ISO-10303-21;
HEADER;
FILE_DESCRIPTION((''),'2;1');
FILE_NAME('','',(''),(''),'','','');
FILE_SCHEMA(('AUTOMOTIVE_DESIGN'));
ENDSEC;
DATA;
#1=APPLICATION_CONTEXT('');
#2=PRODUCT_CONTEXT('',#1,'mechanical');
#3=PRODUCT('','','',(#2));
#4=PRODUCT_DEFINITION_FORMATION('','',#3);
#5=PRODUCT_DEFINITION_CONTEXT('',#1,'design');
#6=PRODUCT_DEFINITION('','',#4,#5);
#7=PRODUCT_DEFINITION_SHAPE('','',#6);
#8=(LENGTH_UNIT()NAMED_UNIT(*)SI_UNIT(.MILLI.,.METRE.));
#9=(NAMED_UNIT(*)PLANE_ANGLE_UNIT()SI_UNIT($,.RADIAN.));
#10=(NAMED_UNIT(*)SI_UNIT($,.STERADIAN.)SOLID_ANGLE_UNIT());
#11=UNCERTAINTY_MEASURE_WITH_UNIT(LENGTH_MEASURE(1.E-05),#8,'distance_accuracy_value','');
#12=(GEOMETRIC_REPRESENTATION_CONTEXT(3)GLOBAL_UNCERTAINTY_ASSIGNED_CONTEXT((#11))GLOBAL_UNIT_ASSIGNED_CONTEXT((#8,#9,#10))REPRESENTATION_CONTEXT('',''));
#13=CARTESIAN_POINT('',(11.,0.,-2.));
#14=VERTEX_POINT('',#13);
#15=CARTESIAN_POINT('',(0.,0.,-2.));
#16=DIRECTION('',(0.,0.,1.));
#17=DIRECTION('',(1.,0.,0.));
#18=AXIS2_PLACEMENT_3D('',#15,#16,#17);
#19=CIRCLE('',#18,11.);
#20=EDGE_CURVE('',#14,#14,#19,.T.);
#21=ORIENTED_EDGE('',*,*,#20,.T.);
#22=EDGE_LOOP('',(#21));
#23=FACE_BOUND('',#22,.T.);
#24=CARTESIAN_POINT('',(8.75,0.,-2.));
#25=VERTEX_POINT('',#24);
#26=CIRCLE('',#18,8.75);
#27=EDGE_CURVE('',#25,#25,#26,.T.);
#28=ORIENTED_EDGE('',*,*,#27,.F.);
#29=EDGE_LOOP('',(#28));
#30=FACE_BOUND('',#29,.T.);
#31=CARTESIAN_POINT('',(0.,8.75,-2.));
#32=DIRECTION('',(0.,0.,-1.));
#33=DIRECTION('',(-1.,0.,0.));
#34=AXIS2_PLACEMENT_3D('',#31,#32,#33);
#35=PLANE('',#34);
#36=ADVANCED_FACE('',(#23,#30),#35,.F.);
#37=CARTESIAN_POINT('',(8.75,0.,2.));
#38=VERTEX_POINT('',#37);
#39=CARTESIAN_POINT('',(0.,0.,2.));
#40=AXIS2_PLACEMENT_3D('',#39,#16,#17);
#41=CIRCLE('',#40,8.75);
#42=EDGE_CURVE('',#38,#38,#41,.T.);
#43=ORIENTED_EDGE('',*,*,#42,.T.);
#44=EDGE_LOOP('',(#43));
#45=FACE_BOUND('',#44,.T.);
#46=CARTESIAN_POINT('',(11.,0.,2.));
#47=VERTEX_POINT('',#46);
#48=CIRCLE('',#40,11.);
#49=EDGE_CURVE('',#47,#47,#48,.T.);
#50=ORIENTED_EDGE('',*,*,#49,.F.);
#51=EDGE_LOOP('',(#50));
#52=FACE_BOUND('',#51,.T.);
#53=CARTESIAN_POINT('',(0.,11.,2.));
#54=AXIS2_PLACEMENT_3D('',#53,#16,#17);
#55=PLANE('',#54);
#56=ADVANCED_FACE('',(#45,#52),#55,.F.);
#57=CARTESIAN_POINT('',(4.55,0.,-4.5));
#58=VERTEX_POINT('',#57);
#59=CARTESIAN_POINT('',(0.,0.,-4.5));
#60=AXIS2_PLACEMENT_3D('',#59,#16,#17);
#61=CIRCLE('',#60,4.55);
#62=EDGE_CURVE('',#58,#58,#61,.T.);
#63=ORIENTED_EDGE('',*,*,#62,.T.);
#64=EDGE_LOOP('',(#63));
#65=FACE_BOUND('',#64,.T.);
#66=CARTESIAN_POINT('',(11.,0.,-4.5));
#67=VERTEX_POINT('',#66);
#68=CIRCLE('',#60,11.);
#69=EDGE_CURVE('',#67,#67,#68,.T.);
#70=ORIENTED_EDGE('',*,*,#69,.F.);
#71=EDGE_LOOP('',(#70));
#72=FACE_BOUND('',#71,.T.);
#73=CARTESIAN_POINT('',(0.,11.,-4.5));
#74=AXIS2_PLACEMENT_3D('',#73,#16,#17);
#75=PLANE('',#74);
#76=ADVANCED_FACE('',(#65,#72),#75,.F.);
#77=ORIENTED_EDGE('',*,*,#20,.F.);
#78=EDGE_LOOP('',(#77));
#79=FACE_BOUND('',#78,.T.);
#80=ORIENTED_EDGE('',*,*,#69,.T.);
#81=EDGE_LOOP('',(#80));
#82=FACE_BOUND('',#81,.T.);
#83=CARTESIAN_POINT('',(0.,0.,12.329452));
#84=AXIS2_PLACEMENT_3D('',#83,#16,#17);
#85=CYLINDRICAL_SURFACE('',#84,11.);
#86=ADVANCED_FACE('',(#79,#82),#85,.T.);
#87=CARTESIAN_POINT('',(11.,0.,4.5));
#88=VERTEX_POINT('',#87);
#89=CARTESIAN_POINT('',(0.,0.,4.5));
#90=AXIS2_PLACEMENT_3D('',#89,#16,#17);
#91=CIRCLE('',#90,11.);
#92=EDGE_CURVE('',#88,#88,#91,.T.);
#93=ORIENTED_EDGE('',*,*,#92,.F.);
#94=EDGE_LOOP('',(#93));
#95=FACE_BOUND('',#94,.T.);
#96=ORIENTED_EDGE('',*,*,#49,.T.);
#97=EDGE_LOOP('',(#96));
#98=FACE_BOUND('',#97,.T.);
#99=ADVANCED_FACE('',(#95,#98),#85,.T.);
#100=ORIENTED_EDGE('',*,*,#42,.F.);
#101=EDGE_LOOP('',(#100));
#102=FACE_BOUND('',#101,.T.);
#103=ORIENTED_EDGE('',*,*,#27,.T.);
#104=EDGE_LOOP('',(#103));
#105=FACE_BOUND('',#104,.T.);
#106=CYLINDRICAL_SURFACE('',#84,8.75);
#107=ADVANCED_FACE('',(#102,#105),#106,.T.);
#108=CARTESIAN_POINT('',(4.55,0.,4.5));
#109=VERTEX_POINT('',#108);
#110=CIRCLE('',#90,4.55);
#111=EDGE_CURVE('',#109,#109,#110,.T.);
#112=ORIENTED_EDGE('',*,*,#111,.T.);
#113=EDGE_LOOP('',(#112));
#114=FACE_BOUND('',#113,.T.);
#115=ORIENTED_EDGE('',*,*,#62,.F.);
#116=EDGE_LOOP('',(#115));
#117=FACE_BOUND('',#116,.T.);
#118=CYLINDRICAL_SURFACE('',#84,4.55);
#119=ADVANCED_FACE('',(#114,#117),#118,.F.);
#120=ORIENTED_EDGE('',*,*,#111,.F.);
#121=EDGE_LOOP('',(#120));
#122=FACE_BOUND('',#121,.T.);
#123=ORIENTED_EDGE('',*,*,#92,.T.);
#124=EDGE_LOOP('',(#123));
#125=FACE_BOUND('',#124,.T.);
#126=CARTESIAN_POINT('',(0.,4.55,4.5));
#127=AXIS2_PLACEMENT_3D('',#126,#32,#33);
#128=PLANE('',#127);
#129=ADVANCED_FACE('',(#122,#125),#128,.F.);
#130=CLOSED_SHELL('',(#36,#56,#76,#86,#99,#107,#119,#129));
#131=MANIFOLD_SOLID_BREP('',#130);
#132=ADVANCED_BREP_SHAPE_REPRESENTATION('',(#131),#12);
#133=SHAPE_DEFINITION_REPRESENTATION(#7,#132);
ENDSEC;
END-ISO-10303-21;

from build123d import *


with BuildPart() as part:
    # Sketch1 → Revolve1 (revolve)
    with BuildSketch(Plane(origin=(0, 0, 0), x_dir=(0, 0, -1), z_dir=(1, 0, 0)), mode=Mode.PRIVATE) as revolve1_sk:
        Polygon((-4.5, 11), (-2, 11), (-2, 8.75), (2, 8.75), (2, 11), (4.5, 11), (4.5, 4.55), (-4.5, 4.55), align=None)
    revolve(revolve1_sk.sketch.rotate(Axis((0, 0, 12.329452155), (0, 0, -1)), 90), axis=Axis((0, 0, 12.329452155), (0, 0, -1)))


solid = part.part
